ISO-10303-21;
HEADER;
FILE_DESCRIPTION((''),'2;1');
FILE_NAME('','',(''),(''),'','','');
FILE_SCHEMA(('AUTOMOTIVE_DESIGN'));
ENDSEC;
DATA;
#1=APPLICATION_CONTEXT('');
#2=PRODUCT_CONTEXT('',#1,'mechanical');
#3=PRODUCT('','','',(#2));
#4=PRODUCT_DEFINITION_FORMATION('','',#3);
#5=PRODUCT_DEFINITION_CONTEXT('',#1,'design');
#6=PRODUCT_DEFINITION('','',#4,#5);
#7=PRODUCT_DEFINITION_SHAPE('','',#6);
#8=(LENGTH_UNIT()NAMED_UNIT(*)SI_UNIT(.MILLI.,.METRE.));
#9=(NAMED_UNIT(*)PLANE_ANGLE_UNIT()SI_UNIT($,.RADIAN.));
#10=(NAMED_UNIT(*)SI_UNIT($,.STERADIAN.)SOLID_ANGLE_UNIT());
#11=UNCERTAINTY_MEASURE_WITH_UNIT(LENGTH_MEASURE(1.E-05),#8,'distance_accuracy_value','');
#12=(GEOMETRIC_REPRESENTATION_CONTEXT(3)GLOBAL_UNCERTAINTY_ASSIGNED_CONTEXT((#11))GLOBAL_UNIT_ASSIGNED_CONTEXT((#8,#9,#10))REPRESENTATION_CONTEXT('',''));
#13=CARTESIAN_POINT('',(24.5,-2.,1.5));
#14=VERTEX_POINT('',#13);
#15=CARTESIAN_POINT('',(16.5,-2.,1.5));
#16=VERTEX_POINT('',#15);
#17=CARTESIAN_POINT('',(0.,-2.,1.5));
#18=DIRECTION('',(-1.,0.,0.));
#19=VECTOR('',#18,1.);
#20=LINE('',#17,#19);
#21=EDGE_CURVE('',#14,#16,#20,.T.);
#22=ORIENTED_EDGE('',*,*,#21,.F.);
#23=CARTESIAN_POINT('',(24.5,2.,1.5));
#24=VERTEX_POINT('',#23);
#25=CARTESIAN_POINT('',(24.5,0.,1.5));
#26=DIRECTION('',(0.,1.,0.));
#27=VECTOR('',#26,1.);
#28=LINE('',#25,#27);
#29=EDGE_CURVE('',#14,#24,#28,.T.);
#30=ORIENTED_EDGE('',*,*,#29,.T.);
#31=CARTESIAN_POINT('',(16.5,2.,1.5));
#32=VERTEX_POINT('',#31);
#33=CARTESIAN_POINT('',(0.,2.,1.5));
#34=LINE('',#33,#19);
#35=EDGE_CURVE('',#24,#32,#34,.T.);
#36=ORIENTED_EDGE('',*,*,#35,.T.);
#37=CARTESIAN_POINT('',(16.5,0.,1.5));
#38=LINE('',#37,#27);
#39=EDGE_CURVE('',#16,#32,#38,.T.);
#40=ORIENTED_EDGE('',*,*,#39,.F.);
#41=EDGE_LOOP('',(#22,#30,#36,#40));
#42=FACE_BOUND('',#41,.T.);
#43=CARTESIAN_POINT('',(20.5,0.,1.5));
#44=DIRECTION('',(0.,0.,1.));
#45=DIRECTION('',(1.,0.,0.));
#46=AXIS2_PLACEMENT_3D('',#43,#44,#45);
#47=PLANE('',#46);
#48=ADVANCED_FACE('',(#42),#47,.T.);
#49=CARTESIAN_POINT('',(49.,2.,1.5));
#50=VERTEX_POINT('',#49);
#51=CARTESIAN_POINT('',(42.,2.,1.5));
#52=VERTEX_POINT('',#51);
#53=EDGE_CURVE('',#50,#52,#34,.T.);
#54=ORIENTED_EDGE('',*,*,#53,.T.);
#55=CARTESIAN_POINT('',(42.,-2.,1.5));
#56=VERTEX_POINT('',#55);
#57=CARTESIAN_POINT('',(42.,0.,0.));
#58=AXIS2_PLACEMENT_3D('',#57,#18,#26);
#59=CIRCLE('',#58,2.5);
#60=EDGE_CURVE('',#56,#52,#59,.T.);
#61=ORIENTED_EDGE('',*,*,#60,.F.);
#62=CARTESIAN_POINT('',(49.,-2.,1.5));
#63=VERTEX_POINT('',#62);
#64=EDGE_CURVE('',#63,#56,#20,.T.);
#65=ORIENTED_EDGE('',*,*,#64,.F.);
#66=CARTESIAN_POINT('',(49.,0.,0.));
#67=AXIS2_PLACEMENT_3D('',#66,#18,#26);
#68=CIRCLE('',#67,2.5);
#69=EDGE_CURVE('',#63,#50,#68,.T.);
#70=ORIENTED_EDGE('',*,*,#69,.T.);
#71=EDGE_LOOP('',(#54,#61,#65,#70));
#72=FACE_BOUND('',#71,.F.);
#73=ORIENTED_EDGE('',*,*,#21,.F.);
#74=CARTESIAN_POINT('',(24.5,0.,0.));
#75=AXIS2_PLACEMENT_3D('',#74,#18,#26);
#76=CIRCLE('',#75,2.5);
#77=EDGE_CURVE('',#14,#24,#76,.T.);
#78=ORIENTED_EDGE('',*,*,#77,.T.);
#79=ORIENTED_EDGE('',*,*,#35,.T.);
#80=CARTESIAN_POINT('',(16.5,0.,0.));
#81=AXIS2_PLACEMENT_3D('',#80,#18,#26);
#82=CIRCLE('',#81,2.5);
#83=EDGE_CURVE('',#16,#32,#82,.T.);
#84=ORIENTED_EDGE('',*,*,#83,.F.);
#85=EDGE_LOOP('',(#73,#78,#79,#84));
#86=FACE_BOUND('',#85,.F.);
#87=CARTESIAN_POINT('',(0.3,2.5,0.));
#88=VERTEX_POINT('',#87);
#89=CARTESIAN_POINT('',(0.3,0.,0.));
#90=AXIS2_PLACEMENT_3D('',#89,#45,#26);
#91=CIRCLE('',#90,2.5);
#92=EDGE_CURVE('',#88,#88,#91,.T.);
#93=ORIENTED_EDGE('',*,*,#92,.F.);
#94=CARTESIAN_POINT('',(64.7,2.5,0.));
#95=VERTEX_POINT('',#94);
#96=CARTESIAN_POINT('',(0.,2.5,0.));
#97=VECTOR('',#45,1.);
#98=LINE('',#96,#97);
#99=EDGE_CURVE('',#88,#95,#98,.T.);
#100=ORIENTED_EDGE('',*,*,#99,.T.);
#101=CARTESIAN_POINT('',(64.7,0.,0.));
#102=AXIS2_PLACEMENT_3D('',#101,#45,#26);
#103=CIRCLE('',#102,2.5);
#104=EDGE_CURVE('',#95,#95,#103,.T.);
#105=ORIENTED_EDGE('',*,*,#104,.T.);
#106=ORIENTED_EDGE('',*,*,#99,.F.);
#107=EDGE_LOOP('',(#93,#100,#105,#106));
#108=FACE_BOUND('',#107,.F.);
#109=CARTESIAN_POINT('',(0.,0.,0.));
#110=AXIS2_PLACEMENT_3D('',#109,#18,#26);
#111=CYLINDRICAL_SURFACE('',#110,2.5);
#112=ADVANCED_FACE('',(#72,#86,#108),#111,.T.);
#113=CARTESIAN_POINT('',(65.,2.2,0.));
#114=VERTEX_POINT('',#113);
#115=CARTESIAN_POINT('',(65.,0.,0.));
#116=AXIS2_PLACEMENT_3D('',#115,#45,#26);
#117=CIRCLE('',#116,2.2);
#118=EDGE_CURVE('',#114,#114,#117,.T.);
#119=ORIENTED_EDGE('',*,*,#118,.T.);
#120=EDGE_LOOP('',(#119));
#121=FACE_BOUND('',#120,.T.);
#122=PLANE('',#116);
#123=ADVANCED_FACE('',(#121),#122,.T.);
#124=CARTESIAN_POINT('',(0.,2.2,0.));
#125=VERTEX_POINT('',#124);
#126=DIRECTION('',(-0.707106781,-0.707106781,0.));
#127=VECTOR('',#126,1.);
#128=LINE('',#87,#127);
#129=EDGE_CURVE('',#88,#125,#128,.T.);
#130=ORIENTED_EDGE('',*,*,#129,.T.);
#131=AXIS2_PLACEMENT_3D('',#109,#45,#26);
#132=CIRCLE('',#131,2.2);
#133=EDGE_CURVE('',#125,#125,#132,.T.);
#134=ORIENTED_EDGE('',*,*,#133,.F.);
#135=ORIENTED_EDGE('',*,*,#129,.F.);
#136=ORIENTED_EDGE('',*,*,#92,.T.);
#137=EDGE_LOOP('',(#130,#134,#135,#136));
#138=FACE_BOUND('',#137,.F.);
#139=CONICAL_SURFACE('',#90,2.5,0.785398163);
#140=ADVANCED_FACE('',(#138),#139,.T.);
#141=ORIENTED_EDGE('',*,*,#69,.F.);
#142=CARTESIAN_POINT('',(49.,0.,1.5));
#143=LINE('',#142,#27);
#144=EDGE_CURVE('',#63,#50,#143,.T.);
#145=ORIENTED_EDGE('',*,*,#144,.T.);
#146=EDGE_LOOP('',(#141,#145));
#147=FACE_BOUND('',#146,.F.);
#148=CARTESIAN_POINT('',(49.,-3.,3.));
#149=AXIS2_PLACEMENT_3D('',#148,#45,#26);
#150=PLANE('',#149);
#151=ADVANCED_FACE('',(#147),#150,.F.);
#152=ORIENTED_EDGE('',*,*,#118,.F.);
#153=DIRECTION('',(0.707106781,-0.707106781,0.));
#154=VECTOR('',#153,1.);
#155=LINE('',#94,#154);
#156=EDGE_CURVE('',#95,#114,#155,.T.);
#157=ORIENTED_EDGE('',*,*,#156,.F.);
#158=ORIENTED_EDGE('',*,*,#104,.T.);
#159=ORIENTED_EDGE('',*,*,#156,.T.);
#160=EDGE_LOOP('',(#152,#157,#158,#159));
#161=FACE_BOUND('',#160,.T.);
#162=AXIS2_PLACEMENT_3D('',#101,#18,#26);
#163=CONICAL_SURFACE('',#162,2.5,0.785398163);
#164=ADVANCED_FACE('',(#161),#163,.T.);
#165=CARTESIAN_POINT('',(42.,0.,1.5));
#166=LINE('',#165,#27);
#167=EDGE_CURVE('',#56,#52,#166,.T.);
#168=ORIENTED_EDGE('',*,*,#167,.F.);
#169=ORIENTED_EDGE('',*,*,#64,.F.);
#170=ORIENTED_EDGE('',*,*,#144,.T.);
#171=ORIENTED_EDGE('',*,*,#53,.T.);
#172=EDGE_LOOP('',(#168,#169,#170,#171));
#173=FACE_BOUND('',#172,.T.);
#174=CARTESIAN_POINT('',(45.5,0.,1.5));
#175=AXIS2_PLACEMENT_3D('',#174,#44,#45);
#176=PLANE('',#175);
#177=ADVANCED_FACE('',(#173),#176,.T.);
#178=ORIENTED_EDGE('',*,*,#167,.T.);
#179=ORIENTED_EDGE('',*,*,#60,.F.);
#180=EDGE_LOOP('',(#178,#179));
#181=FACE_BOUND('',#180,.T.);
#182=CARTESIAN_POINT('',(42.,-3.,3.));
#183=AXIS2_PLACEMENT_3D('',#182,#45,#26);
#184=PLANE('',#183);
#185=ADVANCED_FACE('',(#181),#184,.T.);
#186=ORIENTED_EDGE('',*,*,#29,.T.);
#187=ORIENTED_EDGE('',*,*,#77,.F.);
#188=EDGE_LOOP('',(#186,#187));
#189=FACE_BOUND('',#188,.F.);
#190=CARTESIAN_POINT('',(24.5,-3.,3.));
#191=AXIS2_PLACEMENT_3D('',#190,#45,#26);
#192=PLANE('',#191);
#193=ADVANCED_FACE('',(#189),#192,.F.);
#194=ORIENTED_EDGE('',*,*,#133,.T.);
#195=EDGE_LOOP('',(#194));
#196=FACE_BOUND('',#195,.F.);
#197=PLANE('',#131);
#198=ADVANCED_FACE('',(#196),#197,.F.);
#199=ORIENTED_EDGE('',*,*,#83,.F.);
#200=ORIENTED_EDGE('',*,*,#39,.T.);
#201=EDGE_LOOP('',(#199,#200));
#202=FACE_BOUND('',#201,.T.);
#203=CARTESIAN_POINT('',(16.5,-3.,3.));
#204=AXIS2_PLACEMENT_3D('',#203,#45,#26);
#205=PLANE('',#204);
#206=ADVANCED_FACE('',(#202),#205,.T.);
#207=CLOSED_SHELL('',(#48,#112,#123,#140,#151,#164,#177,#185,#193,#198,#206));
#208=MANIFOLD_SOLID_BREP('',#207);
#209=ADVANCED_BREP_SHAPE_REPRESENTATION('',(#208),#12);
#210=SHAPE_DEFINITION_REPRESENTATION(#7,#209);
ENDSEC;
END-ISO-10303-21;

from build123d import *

# Parameters (mm, degrees)
SKETCH_R      = 2.5
PAD_DEPTH     = 65
SKETCH001_W   = 8
SKETCH001_H   = 6
SKETCH001_W_2 = 7
POCKET_DEPTH  = 1.5
CHAMFER_SIZE  = 0.3


with BuildPart() as part:
    # Sketch → Pad (new body)
    with BuildSketch(Plane.YZ):
        Circle(SKETCH_R)
    extrude(amount=PAD_DEPTH)

    # Sketch001 → Pocket (cut)
    with BuildSketch(Plane.XY.offset(3)):
        with Locations((20.5, 0)):
            Rectangle(SKETCH001_W, SKETCH001_H)
        with Locations((45.5, 0)):
            Rectangle(SKETCH001_W_2, SKETCH001_H)
    extrude(amount=-POCKET_DEPTH, mode=Mode.SUBTRACT)

    # Chamfer
    chamfer_edges = [part.edges().sort_by_distance(p)[0] for p in [
        (0, -2.5, 0),
        (65, -2.5, 0),
    ]]
    chamfer(chamfer_edges, length=CHAMFER_SIZE)


solid = part.part
